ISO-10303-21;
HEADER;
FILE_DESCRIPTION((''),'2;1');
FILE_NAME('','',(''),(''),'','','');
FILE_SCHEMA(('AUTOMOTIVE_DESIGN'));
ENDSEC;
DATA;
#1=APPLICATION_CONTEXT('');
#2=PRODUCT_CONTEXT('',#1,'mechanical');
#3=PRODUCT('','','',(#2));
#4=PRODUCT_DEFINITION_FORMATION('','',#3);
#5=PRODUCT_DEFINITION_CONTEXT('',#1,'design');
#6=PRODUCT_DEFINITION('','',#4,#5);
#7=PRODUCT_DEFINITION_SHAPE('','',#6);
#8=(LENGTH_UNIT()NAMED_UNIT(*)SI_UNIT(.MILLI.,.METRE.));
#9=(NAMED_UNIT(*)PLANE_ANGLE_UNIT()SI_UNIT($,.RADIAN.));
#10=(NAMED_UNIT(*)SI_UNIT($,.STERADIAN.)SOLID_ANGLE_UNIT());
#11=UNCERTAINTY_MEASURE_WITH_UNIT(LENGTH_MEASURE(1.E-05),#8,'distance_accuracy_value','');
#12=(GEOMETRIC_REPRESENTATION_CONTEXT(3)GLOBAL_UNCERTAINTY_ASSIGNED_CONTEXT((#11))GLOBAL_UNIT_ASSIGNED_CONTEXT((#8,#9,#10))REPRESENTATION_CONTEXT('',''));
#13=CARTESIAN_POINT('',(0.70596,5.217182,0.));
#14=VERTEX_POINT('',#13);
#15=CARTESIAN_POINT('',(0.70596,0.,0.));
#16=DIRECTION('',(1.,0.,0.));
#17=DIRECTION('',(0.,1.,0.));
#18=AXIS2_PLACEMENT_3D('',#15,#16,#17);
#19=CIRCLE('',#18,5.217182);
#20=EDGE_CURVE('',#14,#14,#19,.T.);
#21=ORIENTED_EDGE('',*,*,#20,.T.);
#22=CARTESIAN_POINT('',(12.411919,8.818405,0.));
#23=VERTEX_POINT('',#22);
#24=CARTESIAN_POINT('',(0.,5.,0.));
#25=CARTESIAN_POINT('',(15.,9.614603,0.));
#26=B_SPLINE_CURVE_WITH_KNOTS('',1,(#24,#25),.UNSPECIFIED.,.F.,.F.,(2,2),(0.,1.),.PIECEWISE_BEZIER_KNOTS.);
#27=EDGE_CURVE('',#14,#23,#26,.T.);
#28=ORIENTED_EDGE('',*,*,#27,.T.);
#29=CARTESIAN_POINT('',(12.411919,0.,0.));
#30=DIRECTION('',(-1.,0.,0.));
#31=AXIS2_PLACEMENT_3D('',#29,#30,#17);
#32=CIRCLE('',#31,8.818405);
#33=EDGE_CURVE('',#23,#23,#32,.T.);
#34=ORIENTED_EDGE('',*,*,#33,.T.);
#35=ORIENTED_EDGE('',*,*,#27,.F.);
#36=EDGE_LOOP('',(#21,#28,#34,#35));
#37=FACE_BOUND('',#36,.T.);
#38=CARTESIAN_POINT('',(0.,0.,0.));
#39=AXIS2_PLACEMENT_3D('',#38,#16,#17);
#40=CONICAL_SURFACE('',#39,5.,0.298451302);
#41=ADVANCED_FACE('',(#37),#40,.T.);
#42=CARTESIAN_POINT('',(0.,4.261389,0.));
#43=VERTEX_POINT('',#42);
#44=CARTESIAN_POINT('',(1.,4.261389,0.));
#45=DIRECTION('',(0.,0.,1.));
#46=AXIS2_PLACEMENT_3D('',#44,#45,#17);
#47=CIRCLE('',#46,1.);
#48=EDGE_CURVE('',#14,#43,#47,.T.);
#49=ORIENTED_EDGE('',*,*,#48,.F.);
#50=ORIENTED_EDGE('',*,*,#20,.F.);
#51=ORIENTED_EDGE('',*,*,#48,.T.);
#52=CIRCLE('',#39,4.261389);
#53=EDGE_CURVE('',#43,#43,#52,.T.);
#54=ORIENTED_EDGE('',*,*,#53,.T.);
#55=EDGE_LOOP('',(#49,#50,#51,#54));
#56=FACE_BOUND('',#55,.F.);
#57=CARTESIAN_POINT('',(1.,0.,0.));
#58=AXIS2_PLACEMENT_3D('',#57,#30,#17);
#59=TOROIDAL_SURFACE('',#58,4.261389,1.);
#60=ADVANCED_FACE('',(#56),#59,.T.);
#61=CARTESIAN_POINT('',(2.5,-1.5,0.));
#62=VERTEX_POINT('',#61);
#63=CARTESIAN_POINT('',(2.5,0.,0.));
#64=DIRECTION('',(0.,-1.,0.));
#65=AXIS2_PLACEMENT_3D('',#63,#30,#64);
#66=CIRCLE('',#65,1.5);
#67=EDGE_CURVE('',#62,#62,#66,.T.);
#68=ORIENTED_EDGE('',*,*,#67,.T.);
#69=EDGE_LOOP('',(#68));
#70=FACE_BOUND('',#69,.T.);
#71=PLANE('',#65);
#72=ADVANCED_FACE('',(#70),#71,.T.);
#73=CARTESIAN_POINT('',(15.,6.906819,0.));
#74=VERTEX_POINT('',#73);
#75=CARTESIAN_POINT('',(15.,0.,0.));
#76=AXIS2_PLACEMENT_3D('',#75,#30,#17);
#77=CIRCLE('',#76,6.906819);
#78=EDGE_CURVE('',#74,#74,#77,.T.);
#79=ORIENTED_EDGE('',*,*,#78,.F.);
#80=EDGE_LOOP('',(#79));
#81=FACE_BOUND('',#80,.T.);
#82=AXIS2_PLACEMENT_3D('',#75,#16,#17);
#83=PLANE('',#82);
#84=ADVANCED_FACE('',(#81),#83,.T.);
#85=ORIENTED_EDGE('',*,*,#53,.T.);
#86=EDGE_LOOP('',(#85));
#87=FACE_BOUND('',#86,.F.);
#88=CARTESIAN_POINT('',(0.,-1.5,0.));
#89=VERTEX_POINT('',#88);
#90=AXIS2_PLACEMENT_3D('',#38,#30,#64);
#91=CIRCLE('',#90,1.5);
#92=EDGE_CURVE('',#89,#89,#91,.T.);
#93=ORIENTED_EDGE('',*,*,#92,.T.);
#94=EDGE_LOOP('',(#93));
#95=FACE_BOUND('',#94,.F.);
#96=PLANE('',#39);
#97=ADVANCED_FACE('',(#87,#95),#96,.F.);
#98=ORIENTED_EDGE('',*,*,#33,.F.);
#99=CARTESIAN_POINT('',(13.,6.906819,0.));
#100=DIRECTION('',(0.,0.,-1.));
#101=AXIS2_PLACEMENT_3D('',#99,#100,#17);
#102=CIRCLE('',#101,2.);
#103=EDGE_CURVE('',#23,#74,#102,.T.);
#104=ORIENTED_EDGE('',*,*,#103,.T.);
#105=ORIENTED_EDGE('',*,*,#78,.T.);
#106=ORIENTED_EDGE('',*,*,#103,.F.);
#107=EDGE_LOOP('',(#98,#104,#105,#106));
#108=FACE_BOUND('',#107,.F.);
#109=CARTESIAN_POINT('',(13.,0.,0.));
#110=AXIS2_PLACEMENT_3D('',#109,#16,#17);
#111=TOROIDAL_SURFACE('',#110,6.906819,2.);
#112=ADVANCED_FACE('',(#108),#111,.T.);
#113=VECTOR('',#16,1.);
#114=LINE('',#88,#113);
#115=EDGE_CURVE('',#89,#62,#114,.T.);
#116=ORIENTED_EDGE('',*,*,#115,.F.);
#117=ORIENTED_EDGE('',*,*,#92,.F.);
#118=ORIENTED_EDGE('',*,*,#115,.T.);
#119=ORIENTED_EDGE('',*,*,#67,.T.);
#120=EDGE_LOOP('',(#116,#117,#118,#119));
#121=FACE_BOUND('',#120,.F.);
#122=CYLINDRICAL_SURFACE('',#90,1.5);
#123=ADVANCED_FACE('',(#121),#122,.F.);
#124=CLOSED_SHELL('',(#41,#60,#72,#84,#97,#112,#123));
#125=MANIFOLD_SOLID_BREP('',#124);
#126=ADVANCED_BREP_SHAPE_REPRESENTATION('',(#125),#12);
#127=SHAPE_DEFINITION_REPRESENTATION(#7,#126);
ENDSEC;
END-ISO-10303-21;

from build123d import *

# Parameters (mm, degrees)
F0_R     = 5
F1_DEPTH = 15
F1_TAPER = -17.1
F2_R     = 2
F3_R     = 1
F4_R     = 1.5
F5_DEPTH = 2.5


with BuildPart() as f1:
    # F0 (on Right) → F1 (new body)
    with BuildSketch(Plane.YZ):
        Circle(F0_R)
    extrude(amount=F1_DEPTH, taper=F1_TAPER)

    # F2
    f2_edges = [f1.edges().sort_by_distance(p)[0] for p in [
        (15, -9.614603, 0),
    ]]
    fillet(f2_edges, radius=F2_R)

    # F3
    f3_edges = [f1.edges().sort_by_distance(p)[0] for p in [
        (0, -5, 0),
    ]]
    fillet(f3_edges, radius=F3_R)

    # F4 (on face) → F5 (cut)
    with BuildSketch(Plane(origin=(0, 0, 0), x_dir=(0, -1, 0), z_dir=(-1, 0, 0))):
        Circle(F4_R)
    extrude(amount=-F5_DEPTH, mode=Mode.SUBTRACT)


solid = f1.part
